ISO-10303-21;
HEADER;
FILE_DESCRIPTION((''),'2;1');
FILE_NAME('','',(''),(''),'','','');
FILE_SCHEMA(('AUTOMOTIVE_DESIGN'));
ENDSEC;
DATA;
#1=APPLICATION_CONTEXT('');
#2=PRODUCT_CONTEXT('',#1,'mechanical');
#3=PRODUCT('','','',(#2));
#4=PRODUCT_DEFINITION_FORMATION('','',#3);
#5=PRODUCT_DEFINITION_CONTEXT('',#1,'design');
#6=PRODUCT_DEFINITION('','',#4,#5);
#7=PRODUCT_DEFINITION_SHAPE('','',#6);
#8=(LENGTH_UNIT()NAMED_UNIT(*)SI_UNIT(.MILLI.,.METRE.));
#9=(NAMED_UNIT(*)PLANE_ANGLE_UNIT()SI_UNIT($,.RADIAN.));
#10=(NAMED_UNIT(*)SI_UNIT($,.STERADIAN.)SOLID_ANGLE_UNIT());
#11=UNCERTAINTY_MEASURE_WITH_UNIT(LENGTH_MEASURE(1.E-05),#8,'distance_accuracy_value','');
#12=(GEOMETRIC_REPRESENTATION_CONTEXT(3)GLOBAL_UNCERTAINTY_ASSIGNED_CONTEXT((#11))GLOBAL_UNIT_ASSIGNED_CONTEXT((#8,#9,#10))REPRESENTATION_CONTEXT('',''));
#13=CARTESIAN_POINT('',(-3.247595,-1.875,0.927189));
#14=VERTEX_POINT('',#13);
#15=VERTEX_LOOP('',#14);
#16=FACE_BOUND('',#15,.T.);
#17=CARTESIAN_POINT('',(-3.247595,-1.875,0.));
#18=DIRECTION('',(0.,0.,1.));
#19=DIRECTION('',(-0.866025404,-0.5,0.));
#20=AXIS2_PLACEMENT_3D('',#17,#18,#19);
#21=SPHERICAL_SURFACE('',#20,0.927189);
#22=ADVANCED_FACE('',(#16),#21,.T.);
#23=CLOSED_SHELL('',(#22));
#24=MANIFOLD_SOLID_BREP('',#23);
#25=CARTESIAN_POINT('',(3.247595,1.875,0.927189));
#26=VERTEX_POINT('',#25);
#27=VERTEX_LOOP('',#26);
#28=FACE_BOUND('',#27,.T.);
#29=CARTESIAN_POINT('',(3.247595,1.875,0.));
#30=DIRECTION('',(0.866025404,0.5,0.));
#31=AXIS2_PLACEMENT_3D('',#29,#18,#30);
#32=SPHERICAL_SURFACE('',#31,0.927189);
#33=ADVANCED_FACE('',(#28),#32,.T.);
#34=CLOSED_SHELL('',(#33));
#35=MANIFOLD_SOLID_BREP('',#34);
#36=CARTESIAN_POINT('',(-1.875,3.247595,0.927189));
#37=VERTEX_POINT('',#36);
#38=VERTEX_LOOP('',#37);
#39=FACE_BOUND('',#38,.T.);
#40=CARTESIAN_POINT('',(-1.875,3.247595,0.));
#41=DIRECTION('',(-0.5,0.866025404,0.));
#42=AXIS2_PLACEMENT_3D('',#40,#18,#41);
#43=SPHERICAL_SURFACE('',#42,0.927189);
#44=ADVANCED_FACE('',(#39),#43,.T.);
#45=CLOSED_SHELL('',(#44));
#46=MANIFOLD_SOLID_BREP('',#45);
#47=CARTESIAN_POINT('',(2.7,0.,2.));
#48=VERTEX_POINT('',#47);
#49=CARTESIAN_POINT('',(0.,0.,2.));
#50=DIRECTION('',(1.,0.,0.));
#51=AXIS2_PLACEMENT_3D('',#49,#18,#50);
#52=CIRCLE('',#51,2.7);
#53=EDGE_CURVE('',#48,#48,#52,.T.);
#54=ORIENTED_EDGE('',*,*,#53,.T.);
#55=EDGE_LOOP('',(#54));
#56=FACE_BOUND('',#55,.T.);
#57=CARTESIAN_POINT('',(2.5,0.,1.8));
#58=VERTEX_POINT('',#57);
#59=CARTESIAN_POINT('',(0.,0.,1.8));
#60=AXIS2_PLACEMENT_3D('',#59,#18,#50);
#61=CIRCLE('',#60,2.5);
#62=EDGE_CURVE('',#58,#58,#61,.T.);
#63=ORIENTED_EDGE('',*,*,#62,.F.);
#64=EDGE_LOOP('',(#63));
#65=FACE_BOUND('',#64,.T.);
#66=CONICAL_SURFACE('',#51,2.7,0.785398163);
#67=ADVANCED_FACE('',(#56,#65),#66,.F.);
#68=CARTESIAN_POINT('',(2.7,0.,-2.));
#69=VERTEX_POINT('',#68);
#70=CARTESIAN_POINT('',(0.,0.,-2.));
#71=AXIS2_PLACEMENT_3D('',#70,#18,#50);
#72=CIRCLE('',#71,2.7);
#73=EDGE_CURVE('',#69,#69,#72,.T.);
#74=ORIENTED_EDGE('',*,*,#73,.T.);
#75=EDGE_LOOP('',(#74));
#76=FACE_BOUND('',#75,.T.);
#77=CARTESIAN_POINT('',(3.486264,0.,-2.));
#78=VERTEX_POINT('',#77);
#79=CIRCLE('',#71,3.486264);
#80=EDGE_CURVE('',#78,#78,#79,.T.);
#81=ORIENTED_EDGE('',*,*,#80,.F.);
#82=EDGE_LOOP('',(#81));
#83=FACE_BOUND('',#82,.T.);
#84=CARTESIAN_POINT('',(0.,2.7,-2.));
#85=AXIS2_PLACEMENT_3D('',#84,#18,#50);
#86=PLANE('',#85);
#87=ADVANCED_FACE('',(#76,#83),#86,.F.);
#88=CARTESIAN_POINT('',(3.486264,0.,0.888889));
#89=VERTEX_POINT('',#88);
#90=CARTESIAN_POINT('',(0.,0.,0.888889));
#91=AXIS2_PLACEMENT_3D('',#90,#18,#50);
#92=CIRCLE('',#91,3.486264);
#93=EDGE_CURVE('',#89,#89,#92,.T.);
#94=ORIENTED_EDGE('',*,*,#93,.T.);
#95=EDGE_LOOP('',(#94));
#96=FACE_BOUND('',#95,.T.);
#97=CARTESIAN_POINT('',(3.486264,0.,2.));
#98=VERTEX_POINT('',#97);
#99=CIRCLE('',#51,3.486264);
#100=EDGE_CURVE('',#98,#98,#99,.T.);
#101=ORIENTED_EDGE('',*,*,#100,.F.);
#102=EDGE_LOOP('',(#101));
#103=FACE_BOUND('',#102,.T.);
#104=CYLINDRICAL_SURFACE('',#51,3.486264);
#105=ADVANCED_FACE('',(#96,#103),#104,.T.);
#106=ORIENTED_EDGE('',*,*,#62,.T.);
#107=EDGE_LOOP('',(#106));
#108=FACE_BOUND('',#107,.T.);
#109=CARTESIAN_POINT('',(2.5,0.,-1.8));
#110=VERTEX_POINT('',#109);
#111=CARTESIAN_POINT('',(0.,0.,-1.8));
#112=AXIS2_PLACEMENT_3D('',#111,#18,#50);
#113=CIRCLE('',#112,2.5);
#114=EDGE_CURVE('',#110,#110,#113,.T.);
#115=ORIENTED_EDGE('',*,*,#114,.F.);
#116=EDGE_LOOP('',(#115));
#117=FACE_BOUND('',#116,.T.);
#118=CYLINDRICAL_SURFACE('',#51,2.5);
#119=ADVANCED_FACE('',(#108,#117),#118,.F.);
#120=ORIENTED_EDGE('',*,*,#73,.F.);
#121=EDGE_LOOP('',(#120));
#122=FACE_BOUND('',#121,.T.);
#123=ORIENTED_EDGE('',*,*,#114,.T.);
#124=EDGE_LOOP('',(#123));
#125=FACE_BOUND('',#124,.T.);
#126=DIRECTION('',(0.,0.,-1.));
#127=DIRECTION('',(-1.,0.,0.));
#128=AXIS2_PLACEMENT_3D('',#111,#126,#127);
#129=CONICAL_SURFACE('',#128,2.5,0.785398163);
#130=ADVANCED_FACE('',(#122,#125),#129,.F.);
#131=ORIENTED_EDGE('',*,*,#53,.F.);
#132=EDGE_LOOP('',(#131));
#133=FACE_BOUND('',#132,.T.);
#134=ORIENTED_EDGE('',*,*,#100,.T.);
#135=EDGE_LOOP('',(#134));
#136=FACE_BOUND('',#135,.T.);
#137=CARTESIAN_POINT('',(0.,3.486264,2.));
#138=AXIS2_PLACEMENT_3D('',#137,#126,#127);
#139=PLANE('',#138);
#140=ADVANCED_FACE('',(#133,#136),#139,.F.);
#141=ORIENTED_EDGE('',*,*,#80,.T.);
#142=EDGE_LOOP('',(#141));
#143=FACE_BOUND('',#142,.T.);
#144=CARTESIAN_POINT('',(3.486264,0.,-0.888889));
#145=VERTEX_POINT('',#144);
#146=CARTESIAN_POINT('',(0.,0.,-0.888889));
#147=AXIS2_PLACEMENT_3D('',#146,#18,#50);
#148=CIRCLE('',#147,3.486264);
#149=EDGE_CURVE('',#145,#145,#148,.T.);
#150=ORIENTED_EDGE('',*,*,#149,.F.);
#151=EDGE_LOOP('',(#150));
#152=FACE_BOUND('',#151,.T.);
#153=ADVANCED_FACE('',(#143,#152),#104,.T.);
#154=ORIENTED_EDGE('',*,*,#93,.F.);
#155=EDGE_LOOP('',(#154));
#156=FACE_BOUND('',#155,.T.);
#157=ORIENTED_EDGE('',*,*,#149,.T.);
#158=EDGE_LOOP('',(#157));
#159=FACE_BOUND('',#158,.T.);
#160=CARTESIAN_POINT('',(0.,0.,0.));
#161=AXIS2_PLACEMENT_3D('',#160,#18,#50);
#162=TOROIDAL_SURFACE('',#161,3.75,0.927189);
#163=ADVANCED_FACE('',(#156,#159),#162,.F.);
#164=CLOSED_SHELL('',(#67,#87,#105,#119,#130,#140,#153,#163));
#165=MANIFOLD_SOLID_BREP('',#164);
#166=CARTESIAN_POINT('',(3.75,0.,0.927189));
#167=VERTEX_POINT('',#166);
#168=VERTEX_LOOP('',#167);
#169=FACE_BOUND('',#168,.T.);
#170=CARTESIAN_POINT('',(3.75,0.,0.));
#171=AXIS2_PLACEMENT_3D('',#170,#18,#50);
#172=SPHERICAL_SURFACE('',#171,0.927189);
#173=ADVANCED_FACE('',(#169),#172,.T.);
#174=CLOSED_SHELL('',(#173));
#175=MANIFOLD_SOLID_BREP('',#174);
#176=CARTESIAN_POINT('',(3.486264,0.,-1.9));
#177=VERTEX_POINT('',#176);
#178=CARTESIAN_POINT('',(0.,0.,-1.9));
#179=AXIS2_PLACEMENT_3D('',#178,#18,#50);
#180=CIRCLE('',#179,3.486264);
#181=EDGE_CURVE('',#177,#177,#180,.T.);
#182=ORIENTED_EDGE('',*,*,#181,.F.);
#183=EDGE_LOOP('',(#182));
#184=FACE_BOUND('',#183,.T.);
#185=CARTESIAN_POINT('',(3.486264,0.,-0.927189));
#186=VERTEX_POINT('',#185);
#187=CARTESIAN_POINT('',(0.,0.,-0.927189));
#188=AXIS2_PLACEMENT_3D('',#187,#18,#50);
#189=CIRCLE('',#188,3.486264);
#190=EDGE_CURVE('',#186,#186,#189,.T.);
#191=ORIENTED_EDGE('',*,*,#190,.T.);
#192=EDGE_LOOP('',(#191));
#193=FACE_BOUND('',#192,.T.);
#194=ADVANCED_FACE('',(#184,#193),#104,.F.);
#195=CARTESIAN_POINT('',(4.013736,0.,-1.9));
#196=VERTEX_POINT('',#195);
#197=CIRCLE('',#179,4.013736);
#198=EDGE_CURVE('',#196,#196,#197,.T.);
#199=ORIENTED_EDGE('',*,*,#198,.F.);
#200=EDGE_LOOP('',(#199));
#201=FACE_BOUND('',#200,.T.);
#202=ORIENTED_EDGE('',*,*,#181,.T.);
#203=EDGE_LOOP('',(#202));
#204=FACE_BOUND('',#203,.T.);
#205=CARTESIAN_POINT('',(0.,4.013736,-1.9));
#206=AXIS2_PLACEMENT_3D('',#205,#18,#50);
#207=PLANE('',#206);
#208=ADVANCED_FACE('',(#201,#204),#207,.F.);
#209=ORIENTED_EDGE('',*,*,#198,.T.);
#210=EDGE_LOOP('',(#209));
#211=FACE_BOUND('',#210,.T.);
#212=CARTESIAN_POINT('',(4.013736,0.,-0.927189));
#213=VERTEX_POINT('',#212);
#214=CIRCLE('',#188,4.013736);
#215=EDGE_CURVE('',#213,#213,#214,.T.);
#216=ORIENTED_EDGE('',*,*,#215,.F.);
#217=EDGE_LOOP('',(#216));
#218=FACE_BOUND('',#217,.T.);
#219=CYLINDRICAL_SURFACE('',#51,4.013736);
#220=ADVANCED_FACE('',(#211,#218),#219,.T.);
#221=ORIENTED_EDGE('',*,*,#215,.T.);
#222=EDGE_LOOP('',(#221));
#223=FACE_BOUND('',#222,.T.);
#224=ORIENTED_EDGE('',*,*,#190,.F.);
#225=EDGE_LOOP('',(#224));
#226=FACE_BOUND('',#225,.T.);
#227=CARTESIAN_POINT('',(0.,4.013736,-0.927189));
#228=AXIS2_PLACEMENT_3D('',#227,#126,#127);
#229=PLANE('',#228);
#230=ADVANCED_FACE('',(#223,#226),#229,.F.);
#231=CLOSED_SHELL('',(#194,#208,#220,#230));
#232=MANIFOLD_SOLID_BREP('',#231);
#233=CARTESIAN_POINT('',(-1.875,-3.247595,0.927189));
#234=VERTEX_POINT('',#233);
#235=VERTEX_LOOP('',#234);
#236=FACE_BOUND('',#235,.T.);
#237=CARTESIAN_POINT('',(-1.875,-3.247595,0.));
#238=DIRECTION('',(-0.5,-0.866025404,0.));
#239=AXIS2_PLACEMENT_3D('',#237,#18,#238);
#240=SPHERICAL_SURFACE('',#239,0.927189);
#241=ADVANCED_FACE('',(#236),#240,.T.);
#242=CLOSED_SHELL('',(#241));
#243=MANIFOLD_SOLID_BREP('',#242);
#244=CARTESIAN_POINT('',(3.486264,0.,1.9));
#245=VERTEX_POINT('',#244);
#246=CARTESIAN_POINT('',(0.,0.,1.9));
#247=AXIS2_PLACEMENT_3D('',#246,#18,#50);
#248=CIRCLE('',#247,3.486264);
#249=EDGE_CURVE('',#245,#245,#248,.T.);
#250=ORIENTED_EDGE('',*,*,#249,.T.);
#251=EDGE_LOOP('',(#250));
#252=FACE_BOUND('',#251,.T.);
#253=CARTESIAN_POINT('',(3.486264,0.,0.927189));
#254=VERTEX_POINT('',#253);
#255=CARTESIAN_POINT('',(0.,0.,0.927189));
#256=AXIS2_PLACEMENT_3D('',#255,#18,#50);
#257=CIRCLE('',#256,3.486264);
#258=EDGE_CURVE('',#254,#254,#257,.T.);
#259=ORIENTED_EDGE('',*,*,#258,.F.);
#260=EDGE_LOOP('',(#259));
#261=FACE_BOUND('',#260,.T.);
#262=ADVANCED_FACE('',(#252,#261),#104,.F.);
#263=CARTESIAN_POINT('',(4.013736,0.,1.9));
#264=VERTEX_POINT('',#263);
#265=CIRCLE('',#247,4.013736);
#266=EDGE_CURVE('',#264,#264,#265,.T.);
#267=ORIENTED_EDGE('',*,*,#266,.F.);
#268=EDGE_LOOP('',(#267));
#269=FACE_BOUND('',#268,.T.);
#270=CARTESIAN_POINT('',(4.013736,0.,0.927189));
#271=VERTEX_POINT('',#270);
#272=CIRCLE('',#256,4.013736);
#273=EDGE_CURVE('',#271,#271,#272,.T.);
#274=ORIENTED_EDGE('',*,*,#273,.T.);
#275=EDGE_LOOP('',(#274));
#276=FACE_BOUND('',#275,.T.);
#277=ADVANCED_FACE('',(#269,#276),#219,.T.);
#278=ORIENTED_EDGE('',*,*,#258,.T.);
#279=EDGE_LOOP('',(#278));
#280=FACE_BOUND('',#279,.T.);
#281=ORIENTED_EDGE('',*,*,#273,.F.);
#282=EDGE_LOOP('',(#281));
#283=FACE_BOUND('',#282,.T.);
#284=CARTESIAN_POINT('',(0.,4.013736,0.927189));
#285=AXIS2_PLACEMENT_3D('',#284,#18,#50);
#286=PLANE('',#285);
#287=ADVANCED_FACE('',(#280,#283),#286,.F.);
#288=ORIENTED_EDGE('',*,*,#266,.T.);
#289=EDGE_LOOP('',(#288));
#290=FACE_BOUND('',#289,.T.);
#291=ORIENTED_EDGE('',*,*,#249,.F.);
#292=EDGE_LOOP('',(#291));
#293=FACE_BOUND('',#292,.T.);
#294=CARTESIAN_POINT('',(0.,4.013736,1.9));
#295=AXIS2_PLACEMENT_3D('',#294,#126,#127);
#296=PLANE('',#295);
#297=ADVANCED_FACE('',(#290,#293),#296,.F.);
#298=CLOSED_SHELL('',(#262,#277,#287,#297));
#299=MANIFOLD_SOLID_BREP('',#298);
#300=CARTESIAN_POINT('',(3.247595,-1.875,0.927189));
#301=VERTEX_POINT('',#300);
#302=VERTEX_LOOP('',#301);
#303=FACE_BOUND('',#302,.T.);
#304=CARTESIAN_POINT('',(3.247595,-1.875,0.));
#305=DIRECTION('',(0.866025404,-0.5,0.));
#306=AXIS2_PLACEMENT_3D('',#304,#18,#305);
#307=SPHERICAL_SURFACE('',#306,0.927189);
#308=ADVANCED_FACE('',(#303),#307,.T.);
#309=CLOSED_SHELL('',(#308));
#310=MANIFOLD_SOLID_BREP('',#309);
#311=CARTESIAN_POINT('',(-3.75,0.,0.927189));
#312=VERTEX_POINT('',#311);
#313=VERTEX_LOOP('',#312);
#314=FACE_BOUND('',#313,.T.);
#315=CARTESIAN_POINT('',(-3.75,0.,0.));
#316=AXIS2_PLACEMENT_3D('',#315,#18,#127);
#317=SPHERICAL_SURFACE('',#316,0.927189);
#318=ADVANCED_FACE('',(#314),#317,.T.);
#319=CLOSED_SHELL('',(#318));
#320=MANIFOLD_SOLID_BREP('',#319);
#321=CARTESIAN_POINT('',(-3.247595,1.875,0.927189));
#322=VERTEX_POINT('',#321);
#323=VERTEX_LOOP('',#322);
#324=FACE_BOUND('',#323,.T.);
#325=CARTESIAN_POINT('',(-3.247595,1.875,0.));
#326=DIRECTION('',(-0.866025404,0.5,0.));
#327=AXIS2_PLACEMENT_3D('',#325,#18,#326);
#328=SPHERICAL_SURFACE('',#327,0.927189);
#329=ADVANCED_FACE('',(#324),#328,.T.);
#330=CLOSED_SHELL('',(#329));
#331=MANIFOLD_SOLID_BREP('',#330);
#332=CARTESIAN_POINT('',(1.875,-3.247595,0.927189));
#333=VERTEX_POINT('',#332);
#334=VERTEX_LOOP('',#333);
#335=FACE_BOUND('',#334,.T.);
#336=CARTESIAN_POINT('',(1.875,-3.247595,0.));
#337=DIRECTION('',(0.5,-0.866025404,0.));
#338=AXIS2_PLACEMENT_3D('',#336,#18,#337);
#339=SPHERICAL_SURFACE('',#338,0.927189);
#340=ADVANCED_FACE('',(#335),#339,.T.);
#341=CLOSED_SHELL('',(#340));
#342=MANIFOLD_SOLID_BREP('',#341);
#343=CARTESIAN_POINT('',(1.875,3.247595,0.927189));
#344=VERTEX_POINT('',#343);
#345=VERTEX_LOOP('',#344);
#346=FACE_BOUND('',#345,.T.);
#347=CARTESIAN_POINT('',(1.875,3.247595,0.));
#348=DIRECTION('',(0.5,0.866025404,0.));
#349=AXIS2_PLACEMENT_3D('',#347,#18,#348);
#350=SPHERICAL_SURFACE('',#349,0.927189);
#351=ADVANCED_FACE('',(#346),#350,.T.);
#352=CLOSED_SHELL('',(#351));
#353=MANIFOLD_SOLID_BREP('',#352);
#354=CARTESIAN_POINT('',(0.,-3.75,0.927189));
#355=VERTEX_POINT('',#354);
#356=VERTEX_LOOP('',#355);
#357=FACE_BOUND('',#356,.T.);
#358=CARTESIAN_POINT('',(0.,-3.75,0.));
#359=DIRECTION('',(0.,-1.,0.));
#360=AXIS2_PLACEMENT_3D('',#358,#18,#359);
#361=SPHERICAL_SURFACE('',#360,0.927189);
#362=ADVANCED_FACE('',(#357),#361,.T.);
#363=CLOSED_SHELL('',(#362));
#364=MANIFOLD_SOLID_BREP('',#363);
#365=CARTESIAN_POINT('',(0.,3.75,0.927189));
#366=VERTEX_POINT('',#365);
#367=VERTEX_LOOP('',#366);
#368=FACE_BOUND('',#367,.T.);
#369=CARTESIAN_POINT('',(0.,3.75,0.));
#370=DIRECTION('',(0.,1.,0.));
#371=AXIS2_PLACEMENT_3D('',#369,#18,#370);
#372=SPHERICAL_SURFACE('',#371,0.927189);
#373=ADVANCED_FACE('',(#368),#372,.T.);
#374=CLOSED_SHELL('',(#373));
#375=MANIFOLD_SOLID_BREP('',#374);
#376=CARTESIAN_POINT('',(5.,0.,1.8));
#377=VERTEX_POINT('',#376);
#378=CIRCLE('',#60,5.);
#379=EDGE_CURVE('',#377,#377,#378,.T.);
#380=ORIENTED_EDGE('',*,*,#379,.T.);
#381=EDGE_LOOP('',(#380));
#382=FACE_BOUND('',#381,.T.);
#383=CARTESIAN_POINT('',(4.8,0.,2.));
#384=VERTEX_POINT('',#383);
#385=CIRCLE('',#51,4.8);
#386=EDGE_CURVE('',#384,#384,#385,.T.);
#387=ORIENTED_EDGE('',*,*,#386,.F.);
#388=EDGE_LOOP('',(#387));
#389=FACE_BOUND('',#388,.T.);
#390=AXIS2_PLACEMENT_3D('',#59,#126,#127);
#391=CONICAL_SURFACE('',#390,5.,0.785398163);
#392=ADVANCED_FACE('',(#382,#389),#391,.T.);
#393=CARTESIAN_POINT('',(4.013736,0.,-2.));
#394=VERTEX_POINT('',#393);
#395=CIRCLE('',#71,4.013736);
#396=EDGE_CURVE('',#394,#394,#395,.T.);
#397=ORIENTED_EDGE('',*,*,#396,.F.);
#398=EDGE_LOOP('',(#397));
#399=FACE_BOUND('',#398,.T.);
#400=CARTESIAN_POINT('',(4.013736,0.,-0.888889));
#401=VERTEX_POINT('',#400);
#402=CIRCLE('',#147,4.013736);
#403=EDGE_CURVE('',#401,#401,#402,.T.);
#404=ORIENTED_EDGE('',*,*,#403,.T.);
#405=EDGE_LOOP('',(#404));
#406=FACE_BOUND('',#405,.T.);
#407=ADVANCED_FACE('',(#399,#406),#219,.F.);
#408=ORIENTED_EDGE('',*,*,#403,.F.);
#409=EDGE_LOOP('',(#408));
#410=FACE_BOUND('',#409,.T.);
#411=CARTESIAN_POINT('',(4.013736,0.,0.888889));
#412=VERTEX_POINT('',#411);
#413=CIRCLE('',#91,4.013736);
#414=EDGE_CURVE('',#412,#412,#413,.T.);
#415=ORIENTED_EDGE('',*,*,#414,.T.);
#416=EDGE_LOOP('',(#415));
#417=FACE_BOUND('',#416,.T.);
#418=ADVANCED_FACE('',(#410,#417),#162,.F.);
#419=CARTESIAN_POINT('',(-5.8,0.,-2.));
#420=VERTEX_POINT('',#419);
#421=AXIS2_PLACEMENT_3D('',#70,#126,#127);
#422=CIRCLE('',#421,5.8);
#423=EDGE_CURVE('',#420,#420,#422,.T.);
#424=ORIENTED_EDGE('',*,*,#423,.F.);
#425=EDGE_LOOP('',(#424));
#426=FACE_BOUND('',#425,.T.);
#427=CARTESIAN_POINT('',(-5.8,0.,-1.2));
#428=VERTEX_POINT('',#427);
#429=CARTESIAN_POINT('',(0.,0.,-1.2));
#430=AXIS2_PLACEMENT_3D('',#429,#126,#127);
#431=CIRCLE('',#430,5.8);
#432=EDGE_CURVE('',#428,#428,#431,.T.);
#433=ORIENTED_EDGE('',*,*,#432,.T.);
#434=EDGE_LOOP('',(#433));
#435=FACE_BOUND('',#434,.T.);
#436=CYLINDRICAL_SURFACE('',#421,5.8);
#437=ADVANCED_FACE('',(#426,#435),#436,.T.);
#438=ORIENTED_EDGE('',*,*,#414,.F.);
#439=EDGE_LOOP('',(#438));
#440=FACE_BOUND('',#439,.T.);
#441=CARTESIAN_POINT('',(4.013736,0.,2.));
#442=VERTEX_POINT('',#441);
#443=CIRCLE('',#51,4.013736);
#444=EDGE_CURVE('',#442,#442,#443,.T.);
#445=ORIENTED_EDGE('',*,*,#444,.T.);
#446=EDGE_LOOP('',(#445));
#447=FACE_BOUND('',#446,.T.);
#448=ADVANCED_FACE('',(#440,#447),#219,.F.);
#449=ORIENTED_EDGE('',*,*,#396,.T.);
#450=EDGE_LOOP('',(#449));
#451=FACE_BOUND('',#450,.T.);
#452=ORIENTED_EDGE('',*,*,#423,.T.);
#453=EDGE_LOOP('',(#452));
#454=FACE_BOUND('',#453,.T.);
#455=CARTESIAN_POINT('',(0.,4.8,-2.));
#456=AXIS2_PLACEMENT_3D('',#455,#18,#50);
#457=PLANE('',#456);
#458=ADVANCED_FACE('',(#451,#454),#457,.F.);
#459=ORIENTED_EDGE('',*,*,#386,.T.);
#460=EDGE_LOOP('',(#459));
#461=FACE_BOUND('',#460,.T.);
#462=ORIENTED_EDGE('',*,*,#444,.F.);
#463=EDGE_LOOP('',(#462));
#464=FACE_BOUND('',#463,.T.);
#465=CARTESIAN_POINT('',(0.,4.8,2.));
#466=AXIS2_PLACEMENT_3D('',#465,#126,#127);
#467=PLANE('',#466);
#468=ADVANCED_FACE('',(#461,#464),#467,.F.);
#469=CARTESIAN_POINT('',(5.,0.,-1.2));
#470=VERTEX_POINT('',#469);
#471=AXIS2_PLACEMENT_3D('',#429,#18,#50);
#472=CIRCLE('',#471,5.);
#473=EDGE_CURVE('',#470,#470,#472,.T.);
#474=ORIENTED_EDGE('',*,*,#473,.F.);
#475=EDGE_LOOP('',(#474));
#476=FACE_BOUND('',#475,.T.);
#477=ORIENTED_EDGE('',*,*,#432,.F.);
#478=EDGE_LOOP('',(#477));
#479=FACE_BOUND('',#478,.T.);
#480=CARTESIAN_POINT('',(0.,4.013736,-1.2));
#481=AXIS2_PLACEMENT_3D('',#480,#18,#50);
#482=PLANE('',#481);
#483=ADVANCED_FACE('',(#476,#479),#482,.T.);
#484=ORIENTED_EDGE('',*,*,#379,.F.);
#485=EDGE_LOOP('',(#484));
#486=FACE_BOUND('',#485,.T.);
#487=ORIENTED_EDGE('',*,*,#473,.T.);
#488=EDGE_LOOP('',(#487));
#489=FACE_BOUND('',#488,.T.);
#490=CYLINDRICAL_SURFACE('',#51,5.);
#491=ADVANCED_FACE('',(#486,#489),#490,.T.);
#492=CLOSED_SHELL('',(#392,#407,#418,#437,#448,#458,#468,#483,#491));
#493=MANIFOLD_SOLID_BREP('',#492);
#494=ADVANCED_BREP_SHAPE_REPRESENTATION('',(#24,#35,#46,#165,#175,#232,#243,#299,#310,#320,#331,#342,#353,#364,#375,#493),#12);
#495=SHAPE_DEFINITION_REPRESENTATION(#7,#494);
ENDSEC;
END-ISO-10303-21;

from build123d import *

# Parameters (mm, degrees)
CIRPATTERN1_COUNT = 12
SKETCH5_W         = 0.972810551
SKETCH5_H         = 0.527472528
SKETCH6_W         = 0.8
SKETCH6_H         = 1.786263736


with BuildPart() as part:
    # Sketch1 → Revolve1 (revolve)
    with BuildSketch(Plane(origin=(0, 0, 0), x_dir=(0, 0, -1), z_dir=(1, 0, 0))):
        with BuildLine():
            Line((1.8, 5), (-1.8, 5))
            Line((-1.8, 5), (-2, 4.8))
            Line((-2, 4.8), (-2, 4.013736264))
            Line((-2, 4.013736264), (-0.888888889, 4.013736264))
            ThreePointArc((-0.888888889, 4.013736264), (0, 4.677189449), (0.888888889, 4.013736264))
            Line((0.888888889, 4.013736264), (2, 4.013736264))
            Line((2, 4.013736264), (2, 4.8))
            Line((2, 4.8), (1.8, 5))
        make_face()
    revolve(axis=Axis((0, 0, 2), (0, 0, -1)))

    # Sketch6 → Revolve6 (revolve)
    with BuildSketch(Plane(origin=(0, 0, 0), x_dir=(0, 0, -1), z_dir=(1, 0, 0))):
        with Locations((1.6, 4.906868132)):
            Rectangle(SKETCH6_W, SKETCH6_H)
    revolve(axis=Axis((0, 0, -2), (0, 0, 1)))


with BuildPart() as body_2:
    # Sketch3 → Revolve3 (revolve)
    with BuildSketch(Plane(origin=(0, 0, 0), x_dir=(0, 0, -1), z_dir=(1, 0, 0))):
        with BuildLine():
            Line((-2, 3.486263736), (-0.888888889, 3.486263736))
            ThreePointArc((-0.888888889, 3.486263736), (0, 2.822810551), (0.888888889, 3.486263736))
            Line((0.888888889, 3.486263736), (2, 3.486263736))
            Line((2, 3.486263736), (2, 2.7))
            Line((2, 2.7), (1.8, 2.5))
            Line((1.8, 2.5), (-1.8, 2.5))
            Line((-1.8, 2.5), (-2, 2.7))
            Line((-2, 2.7), (-2, 3.486263736))
        make_face()
    revolve(axis=Axis((0, 0, 2), (0, 0, -1)))


with BuildPart() as body_3:
    # Sketch4 → Revolve4 (revolve)
    with BuildSketch(Plane(origin=(0, 0, 0), x_dir=(0, 0, -1), z_dir=(1, 0, 0))):
        with BuildLine():
            Line((-0.927189449, 3.75), (0.927189449, 3.75))
            ThreePointArc((0.927189449, 3.75), (0, 4.677189449), (-0.927189449, 3.75))
        make_face()
    revolve(axis=Axis((0, 3.75, 0.927189449), (0, 0, -1)))


with BuildPart() as cirpattern1_1:
    # CirPattern1: pattern copy
    add(body_3.part.rotate(Axis((0, 0, -2), (0, 0, 1)), 1 * 360 / CIRPATTERN1_COUNT))


with BuildPart() as cirpattern1_2:
    # CirPattern1: pattern copy
    add(body_3.part.rotate(Axis((0, 0, -2), (0, 0, 1)), 2 * 360 / CIRPATTERN1_COUNT))


with BuildPart() as cirpattern1_3:
    # CirPattern1: pattern copy
    add(body_3.part.rotate(Axis((0, 0, -2), (0, 0, 1)), 3 * 360 / CIRPATTERN1_COUNT))


with BuildPart() as cirpattern1_4:
    # CirPattern1: pattern copy
    add(body_3.part.rotate(Axis((0, 0, -2), (0, 0, 1)), 4 * 360 / CIRPATTERN1_COUNT))


with BuildPart() as cirpattern1_5:
    # CirPattern1: pattern copy
    add(body_3.part.rotate(Axis((0, 0, -2), (0, 0, 1)), 5 * 360 / CIRPATTERN1_COUNT))


with BuildPart() as cirpattern1_6:
    # CirPattern1: pattern copy
    add(body_3.part.rotate(Axis((0, 0, -2), (0, 0, 1)), 6 * 360 / CIRPATTERN1_COUNT))


with BuildPart() as cirpattern1_7:
    # CirPattern1: pattern copy
    add(body_3.part.rotate(Axis((0, 0, -2), (0, 0, 1)), 7 * 360 / CIRPATTERN1_COUNT))


with BuildPart() as cirpattern1_8:
    # CirPattern1: pattern copy
    add(body_3.part.rotate(Axis((0, 0, -2), (0, 0, 1)), 8 * 360 / CIRPATTERN1_COUNT))


with BuildPart() as cirpattern1_9:
    # CirPattern1: pattern copy
    add(body_3.part.rotate(Axis((0, 0, -2), (0, 0, 1)), 9 * 360 / CIRPATTERN1_COUNT))


with BuildPart() as cirpattern1_10:
    # CirPattern1: pattern copy
    add(body_3.part.rotate(Axis((0, 0, -2), (0, 0, 1)), 10 * 360 / CIRPATTERN1_COUNT))


with BuildPart() as cirpattern1_11:
    # CirPattern1: pattern copy
    add(body_3.part.rotate(Axis((0, 0, -2), (0, 0, 1)), 11 * 360 / CIRPATTERN1_COUNT))


with BuildPart() as body_15:
    # Sketch5 → Revolve5 (revolve)
    with BuildSketch(Plane(origin=(0, 0, 0), x_dir=(0, 0, -1), z_dir=(1, 0, 0))):
        with Locations((-1.413594725, 3.75)):
            Rectangle(SKETCH5_W, SKETCH5_H)
        with Locations((1.413594725, 3.75)):
            Rectangle(SKETCH5_W, SKETCH5_H)
    revolve(axis=Axis((0, 0, 2), (0, 0, -1)))


solid = Compound([part.part, body_2.part, body_3.part, cirpattern1_1.part, cirpattern1_2.part, cirpattern1_3.part, cirpattern1_4.part, cirpattern1_5.part, cirpattern1_6.part, cirpattern1_7.part, cirpattern1_8.part, cirpattern1_9.part, cirpattern1_10.part, cirpattern1_11.part, body_15.part])
